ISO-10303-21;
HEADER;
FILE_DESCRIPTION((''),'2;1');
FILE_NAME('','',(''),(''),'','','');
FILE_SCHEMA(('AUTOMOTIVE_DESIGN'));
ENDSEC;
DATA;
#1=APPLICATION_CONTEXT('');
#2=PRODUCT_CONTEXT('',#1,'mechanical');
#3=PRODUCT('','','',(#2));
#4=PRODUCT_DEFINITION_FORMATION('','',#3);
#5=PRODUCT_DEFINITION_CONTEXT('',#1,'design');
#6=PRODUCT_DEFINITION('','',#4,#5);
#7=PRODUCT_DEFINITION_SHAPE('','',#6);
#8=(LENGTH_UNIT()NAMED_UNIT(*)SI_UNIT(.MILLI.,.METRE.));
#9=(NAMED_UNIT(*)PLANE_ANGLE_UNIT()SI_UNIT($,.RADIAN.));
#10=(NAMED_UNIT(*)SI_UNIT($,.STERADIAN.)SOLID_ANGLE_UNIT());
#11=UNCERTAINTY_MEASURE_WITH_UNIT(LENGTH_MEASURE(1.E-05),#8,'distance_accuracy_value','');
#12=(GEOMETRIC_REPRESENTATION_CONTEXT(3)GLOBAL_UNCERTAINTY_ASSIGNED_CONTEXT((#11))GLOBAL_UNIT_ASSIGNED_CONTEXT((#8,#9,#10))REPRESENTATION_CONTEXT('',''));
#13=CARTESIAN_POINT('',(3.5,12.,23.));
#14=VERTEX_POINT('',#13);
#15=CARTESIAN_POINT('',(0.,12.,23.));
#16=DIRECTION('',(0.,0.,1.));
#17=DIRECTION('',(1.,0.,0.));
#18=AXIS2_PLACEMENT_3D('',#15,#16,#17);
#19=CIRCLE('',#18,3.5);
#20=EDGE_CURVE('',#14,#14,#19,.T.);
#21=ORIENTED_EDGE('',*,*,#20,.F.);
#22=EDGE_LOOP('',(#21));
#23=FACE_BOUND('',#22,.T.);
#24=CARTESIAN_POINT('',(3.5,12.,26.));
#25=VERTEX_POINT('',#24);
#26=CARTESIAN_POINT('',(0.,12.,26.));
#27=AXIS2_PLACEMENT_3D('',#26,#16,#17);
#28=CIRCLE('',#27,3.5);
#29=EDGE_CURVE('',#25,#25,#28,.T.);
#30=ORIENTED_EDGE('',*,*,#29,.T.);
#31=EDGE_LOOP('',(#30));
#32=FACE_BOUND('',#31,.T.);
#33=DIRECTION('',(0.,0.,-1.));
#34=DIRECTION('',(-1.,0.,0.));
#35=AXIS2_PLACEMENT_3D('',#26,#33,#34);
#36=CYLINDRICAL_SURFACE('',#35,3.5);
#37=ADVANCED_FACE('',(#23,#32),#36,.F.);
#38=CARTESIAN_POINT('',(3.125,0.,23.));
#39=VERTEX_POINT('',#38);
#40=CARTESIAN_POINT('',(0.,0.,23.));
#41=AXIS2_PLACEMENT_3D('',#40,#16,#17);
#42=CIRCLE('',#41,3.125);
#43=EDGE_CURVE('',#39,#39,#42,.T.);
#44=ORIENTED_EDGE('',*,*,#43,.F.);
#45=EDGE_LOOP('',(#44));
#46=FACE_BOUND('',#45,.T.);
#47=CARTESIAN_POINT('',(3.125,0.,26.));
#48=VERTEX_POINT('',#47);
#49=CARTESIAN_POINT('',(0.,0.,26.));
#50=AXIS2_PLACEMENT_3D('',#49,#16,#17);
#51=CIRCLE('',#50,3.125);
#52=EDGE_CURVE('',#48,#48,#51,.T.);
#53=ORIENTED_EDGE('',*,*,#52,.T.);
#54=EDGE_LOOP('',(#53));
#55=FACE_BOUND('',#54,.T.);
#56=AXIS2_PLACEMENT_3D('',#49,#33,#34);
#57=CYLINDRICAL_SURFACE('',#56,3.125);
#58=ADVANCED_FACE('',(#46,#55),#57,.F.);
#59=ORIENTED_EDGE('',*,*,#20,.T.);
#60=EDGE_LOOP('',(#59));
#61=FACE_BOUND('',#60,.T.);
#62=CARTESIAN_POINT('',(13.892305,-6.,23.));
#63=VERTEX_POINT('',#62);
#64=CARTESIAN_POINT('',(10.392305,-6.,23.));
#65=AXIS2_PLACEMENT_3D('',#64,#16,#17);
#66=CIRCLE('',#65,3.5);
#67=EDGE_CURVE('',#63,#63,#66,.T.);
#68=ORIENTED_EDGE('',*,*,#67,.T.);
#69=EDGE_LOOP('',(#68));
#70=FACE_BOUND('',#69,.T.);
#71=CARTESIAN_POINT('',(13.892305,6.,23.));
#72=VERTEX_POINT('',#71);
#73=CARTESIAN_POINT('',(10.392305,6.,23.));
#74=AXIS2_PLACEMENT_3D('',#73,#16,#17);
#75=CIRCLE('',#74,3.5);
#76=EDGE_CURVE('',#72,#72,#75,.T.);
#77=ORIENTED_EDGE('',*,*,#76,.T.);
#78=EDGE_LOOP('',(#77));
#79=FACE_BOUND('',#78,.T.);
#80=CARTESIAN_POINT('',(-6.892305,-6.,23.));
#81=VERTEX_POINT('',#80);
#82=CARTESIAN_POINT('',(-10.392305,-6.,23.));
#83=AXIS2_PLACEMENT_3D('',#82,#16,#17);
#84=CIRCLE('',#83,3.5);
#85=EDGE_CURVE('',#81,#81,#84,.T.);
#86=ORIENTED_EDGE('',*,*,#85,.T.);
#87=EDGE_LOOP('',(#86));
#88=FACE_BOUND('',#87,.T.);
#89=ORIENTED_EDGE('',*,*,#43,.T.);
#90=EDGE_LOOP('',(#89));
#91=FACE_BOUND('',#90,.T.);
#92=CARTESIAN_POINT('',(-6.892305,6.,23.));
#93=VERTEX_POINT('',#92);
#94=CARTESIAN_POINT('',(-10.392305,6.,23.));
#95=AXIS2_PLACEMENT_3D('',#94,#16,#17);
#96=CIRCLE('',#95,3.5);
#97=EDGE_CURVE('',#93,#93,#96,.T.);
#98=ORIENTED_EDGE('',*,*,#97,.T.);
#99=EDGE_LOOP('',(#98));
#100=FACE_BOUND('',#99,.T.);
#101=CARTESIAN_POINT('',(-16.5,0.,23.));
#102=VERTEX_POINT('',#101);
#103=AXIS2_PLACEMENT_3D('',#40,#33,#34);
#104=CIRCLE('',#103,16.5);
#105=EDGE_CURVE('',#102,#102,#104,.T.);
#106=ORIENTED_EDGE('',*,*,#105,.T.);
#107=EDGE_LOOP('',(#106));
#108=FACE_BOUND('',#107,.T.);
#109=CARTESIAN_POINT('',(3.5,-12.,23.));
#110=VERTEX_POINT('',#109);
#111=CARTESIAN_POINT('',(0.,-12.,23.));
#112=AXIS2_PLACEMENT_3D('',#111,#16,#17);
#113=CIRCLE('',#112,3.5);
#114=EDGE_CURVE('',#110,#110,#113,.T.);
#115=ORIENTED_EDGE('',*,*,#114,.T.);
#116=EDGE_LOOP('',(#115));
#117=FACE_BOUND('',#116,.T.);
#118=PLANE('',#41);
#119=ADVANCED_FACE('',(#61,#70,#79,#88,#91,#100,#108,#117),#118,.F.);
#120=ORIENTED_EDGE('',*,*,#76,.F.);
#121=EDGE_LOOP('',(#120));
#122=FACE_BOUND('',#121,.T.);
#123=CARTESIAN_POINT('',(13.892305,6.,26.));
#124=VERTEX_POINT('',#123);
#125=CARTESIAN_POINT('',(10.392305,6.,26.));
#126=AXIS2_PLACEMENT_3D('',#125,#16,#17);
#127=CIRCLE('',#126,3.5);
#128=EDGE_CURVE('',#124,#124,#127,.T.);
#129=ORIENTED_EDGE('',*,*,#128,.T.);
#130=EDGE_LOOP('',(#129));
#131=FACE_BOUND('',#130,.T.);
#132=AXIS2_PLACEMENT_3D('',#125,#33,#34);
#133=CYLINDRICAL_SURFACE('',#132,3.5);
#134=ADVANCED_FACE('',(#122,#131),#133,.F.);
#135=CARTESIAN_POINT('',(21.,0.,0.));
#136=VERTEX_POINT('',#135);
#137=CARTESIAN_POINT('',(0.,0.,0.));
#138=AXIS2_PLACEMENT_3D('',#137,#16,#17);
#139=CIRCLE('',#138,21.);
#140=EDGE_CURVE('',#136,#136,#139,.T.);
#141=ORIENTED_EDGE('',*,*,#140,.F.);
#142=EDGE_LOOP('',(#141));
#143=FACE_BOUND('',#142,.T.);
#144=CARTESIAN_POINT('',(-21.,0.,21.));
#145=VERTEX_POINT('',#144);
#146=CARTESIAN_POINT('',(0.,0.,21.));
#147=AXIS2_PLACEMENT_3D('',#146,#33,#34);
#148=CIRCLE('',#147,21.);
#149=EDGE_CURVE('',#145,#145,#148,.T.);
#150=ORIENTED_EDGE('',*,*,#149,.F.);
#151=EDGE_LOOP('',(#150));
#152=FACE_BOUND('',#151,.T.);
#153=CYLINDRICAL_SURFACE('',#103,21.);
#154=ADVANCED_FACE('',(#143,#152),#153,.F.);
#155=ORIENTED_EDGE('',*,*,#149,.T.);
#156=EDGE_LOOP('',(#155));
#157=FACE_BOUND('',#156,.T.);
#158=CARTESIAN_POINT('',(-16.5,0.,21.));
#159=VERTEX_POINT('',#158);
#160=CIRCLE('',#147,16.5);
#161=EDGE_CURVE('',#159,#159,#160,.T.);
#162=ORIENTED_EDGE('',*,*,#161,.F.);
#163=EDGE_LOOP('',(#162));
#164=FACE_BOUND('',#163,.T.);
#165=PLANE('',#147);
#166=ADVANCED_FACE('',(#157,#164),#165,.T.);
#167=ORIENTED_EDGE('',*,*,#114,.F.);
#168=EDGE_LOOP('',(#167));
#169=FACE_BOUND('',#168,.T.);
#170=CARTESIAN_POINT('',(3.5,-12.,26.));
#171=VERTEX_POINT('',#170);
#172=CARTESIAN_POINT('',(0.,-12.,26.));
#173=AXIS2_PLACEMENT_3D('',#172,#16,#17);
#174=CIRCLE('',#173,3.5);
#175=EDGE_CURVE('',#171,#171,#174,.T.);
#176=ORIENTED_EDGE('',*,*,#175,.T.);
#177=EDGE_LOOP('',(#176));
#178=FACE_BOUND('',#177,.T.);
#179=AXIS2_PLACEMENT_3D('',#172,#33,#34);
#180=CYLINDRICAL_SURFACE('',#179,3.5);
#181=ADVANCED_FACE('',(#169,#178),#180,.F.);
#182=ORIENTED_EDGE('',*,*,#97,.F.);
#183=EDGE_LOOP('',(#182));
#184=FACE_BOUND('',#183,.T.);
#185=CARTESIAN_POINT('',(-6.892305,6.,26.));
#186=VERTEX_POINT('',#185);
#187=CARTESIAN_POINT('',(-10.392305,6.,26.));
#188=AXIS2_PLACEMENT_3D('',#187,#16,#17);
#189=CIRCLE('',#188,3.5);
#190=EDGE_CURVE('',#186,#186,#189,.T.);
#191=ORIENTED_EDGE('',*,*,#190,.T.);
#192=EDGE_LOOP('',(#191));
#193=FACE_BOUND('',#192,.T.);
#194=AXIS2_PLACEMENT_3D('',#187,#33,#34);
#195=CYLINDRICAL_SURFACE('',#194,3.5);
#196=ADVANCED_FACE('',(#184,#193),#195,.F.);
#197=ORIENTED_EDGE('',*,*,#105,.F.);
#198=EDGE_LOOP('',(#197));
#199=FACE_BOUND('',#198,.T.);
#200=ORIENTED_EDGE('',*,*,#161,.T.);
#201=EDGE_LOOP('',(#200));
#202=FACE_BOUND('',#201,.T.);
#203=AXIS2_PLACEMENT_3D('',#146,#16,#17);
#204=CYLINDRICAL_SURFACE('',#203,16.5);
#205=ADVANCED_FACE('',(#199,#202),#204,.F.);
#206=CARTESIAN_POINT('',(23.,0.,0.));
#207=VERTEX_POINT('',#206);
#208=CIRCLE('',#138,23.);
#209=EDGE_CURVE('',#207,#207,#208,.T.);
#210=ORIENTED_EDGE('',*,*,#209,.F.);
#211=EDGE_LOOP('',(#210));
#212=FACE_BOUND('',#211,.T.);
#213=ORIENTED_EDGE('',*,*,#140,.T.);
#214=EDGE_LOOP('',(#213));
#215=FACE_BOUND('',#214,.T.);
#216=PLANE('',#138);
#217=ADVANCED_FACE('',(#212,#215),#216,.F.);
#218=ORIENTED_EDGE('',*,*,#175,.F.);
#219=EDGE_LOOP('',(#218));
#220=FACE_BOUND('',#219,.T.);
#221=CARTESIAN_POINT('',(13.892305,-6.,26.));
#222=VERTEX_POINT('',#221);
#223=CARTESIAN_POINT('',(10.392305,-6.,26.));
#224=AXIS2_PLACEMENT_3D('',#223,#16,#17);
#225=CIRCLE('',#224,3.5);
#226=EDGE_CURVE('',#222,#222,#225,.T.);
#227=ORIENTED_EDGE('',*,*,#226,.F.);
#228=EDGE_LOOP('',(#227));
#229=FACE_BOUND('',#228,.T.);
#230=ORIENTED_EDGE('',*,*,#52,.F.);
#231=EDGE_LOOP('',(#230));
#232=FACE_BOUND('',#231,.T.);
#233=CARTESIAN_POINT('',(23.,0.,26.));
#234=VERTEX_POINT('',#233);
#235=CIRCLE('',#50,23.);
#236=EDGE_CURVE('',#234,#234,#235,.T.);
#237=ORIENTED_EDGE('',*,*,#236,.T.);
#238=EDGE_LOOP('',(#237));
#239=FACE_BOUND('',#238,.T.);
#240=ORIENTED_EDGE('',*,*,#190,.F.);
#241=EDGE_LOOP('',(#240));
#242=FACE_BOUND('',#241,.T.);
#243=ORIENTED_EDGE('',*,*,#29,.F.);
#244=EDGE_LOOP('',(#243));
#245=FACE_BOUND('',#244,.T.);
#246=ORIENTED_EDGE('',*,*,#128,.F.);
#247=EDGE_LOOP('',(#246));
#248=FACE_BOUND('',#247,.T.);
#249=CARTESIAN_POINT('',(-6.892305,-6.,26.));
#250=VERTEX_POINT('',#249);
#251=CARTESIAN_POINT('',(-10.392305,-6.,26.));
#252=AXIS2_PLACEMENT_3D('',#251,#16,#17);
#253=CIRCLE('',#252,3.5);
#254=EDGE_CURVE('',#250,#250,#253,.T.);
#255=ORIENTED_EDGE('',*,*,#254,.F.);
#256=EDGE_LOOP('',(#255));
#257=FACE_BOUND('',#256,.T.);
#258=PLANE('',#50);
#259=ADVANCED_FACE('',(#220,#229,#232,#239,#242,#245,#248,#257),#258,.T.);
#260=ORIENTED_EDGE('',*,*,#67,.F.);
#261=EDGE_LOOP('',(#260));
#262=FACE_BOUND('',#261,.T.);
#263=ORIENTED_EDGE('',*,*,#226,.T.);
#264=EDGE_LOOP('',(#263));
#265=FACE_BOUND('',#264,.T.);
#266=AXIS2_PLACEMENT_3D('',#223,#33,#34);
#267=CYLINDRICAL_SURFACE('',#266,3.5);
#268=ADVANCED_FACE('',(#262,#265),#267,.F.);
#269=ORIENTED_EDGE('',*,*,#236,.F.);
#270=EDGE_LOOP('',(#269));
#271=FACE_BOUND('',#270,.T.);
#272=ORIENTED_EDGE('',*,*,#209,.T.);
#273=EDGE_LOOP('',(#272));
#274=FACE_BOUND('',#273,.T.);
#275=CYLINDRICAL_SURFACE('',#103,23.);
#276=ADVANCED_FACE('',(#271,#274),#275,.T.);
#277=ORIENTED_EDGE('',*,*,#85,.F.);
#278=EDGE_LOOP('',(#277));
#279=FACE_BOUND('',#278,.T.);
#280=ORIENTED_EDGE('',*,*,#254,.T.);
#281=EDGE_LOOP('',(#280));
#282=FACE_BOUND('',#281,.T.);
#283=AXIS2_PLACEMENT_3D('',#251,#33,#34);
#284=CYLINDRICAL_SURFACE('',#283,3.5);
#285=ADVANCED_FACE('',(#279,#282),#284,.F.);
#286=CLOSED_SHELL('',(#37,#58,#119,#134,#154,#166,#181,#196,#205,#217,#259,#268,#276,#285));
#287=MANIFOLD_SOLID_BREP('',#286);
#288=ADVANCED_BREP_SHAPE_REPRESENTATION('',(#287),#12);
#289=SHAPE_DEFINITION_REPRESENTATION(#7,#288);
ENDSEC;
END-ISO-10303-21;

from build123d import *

# Parameters (mm, degrees)
CROQUIS1_R              = 23
CROQUIS1_R_2            = 21
SALIENTE_EXTRUIR1_DEPTH = 23
CROQUIS2_R              = 23
CROQUIS2_R_2            = 3.125
CROQUIS2_R_3            = 3.5
SALIENTE_EXTRUIR2_DEPTH = 3
CROQUIS3_R              = 21
CROQUIS3_R_2            = 16.5
SALIENTE_EXTRUIR3_DEPTH = 2


with BuildPart() as part:
    # Croquis1 → Saliente-Extruir1 (new body)
    with BuildSketch(Plane.XY):
        Circle(CROQUIS1_R)
        Circle(CROQUIS1_R_2, mode=Mode.SUBTRACT)
    extrude(amount=SALIENTE_EXTRUIR1_DEPTH)

    # Croquis2 → Saliente-Extruir2 (add)
    with BuildSketch(Plane.XY.offset(23)):
        Circle(CROQUIS2_R)
        Circle(CROQUIS2_R_2, mode=Mode.SUBTRACT)
        with Locations((0, 12)):
            Circle(CROQUIS2_R_3, mode=Mode.SUBTRACT)
        with Locations((10.392304845, 6)):
            Circle(CROQUIS2_R_3, mode=Mode.SUBTRACT)
        with Locations((10.392304845, -6)):
            Circle(CROQUIS2_R_3, mode=Mode.SUBTRACT)
        with Locations((0, -12)):
            Circle(CROQUIS2_R_3, mode=Mode.SUBTRACT)
        with Locations((-10.392304845, -6)):
            Circle(CROQUIS2_R_3, mode=Mode.SUBTRACT)
        with Locations((-10.392304845, 6)):
            Circle(CROQUIS2_R_3, mode=Mode.SUBTRACT)
    extrude(amount=SALIENTE_EXTRUIR2_DEPTH)

    # Croquis3 → Saliente-Extruir3 (add)
    with BuildSketch(Plane(origin=(0, 0, 23), x_dir=(-1, 0, 0), z_dir=(0, 0, -1))):
        Circle(CROQUIS3_R)
        Circle(CROQUIS3_R_2, mode=Mode.SUBTRACT)
    extrude(amount=SALIENTE_EXTRUIR3_DEPTH)


solid = part.part
